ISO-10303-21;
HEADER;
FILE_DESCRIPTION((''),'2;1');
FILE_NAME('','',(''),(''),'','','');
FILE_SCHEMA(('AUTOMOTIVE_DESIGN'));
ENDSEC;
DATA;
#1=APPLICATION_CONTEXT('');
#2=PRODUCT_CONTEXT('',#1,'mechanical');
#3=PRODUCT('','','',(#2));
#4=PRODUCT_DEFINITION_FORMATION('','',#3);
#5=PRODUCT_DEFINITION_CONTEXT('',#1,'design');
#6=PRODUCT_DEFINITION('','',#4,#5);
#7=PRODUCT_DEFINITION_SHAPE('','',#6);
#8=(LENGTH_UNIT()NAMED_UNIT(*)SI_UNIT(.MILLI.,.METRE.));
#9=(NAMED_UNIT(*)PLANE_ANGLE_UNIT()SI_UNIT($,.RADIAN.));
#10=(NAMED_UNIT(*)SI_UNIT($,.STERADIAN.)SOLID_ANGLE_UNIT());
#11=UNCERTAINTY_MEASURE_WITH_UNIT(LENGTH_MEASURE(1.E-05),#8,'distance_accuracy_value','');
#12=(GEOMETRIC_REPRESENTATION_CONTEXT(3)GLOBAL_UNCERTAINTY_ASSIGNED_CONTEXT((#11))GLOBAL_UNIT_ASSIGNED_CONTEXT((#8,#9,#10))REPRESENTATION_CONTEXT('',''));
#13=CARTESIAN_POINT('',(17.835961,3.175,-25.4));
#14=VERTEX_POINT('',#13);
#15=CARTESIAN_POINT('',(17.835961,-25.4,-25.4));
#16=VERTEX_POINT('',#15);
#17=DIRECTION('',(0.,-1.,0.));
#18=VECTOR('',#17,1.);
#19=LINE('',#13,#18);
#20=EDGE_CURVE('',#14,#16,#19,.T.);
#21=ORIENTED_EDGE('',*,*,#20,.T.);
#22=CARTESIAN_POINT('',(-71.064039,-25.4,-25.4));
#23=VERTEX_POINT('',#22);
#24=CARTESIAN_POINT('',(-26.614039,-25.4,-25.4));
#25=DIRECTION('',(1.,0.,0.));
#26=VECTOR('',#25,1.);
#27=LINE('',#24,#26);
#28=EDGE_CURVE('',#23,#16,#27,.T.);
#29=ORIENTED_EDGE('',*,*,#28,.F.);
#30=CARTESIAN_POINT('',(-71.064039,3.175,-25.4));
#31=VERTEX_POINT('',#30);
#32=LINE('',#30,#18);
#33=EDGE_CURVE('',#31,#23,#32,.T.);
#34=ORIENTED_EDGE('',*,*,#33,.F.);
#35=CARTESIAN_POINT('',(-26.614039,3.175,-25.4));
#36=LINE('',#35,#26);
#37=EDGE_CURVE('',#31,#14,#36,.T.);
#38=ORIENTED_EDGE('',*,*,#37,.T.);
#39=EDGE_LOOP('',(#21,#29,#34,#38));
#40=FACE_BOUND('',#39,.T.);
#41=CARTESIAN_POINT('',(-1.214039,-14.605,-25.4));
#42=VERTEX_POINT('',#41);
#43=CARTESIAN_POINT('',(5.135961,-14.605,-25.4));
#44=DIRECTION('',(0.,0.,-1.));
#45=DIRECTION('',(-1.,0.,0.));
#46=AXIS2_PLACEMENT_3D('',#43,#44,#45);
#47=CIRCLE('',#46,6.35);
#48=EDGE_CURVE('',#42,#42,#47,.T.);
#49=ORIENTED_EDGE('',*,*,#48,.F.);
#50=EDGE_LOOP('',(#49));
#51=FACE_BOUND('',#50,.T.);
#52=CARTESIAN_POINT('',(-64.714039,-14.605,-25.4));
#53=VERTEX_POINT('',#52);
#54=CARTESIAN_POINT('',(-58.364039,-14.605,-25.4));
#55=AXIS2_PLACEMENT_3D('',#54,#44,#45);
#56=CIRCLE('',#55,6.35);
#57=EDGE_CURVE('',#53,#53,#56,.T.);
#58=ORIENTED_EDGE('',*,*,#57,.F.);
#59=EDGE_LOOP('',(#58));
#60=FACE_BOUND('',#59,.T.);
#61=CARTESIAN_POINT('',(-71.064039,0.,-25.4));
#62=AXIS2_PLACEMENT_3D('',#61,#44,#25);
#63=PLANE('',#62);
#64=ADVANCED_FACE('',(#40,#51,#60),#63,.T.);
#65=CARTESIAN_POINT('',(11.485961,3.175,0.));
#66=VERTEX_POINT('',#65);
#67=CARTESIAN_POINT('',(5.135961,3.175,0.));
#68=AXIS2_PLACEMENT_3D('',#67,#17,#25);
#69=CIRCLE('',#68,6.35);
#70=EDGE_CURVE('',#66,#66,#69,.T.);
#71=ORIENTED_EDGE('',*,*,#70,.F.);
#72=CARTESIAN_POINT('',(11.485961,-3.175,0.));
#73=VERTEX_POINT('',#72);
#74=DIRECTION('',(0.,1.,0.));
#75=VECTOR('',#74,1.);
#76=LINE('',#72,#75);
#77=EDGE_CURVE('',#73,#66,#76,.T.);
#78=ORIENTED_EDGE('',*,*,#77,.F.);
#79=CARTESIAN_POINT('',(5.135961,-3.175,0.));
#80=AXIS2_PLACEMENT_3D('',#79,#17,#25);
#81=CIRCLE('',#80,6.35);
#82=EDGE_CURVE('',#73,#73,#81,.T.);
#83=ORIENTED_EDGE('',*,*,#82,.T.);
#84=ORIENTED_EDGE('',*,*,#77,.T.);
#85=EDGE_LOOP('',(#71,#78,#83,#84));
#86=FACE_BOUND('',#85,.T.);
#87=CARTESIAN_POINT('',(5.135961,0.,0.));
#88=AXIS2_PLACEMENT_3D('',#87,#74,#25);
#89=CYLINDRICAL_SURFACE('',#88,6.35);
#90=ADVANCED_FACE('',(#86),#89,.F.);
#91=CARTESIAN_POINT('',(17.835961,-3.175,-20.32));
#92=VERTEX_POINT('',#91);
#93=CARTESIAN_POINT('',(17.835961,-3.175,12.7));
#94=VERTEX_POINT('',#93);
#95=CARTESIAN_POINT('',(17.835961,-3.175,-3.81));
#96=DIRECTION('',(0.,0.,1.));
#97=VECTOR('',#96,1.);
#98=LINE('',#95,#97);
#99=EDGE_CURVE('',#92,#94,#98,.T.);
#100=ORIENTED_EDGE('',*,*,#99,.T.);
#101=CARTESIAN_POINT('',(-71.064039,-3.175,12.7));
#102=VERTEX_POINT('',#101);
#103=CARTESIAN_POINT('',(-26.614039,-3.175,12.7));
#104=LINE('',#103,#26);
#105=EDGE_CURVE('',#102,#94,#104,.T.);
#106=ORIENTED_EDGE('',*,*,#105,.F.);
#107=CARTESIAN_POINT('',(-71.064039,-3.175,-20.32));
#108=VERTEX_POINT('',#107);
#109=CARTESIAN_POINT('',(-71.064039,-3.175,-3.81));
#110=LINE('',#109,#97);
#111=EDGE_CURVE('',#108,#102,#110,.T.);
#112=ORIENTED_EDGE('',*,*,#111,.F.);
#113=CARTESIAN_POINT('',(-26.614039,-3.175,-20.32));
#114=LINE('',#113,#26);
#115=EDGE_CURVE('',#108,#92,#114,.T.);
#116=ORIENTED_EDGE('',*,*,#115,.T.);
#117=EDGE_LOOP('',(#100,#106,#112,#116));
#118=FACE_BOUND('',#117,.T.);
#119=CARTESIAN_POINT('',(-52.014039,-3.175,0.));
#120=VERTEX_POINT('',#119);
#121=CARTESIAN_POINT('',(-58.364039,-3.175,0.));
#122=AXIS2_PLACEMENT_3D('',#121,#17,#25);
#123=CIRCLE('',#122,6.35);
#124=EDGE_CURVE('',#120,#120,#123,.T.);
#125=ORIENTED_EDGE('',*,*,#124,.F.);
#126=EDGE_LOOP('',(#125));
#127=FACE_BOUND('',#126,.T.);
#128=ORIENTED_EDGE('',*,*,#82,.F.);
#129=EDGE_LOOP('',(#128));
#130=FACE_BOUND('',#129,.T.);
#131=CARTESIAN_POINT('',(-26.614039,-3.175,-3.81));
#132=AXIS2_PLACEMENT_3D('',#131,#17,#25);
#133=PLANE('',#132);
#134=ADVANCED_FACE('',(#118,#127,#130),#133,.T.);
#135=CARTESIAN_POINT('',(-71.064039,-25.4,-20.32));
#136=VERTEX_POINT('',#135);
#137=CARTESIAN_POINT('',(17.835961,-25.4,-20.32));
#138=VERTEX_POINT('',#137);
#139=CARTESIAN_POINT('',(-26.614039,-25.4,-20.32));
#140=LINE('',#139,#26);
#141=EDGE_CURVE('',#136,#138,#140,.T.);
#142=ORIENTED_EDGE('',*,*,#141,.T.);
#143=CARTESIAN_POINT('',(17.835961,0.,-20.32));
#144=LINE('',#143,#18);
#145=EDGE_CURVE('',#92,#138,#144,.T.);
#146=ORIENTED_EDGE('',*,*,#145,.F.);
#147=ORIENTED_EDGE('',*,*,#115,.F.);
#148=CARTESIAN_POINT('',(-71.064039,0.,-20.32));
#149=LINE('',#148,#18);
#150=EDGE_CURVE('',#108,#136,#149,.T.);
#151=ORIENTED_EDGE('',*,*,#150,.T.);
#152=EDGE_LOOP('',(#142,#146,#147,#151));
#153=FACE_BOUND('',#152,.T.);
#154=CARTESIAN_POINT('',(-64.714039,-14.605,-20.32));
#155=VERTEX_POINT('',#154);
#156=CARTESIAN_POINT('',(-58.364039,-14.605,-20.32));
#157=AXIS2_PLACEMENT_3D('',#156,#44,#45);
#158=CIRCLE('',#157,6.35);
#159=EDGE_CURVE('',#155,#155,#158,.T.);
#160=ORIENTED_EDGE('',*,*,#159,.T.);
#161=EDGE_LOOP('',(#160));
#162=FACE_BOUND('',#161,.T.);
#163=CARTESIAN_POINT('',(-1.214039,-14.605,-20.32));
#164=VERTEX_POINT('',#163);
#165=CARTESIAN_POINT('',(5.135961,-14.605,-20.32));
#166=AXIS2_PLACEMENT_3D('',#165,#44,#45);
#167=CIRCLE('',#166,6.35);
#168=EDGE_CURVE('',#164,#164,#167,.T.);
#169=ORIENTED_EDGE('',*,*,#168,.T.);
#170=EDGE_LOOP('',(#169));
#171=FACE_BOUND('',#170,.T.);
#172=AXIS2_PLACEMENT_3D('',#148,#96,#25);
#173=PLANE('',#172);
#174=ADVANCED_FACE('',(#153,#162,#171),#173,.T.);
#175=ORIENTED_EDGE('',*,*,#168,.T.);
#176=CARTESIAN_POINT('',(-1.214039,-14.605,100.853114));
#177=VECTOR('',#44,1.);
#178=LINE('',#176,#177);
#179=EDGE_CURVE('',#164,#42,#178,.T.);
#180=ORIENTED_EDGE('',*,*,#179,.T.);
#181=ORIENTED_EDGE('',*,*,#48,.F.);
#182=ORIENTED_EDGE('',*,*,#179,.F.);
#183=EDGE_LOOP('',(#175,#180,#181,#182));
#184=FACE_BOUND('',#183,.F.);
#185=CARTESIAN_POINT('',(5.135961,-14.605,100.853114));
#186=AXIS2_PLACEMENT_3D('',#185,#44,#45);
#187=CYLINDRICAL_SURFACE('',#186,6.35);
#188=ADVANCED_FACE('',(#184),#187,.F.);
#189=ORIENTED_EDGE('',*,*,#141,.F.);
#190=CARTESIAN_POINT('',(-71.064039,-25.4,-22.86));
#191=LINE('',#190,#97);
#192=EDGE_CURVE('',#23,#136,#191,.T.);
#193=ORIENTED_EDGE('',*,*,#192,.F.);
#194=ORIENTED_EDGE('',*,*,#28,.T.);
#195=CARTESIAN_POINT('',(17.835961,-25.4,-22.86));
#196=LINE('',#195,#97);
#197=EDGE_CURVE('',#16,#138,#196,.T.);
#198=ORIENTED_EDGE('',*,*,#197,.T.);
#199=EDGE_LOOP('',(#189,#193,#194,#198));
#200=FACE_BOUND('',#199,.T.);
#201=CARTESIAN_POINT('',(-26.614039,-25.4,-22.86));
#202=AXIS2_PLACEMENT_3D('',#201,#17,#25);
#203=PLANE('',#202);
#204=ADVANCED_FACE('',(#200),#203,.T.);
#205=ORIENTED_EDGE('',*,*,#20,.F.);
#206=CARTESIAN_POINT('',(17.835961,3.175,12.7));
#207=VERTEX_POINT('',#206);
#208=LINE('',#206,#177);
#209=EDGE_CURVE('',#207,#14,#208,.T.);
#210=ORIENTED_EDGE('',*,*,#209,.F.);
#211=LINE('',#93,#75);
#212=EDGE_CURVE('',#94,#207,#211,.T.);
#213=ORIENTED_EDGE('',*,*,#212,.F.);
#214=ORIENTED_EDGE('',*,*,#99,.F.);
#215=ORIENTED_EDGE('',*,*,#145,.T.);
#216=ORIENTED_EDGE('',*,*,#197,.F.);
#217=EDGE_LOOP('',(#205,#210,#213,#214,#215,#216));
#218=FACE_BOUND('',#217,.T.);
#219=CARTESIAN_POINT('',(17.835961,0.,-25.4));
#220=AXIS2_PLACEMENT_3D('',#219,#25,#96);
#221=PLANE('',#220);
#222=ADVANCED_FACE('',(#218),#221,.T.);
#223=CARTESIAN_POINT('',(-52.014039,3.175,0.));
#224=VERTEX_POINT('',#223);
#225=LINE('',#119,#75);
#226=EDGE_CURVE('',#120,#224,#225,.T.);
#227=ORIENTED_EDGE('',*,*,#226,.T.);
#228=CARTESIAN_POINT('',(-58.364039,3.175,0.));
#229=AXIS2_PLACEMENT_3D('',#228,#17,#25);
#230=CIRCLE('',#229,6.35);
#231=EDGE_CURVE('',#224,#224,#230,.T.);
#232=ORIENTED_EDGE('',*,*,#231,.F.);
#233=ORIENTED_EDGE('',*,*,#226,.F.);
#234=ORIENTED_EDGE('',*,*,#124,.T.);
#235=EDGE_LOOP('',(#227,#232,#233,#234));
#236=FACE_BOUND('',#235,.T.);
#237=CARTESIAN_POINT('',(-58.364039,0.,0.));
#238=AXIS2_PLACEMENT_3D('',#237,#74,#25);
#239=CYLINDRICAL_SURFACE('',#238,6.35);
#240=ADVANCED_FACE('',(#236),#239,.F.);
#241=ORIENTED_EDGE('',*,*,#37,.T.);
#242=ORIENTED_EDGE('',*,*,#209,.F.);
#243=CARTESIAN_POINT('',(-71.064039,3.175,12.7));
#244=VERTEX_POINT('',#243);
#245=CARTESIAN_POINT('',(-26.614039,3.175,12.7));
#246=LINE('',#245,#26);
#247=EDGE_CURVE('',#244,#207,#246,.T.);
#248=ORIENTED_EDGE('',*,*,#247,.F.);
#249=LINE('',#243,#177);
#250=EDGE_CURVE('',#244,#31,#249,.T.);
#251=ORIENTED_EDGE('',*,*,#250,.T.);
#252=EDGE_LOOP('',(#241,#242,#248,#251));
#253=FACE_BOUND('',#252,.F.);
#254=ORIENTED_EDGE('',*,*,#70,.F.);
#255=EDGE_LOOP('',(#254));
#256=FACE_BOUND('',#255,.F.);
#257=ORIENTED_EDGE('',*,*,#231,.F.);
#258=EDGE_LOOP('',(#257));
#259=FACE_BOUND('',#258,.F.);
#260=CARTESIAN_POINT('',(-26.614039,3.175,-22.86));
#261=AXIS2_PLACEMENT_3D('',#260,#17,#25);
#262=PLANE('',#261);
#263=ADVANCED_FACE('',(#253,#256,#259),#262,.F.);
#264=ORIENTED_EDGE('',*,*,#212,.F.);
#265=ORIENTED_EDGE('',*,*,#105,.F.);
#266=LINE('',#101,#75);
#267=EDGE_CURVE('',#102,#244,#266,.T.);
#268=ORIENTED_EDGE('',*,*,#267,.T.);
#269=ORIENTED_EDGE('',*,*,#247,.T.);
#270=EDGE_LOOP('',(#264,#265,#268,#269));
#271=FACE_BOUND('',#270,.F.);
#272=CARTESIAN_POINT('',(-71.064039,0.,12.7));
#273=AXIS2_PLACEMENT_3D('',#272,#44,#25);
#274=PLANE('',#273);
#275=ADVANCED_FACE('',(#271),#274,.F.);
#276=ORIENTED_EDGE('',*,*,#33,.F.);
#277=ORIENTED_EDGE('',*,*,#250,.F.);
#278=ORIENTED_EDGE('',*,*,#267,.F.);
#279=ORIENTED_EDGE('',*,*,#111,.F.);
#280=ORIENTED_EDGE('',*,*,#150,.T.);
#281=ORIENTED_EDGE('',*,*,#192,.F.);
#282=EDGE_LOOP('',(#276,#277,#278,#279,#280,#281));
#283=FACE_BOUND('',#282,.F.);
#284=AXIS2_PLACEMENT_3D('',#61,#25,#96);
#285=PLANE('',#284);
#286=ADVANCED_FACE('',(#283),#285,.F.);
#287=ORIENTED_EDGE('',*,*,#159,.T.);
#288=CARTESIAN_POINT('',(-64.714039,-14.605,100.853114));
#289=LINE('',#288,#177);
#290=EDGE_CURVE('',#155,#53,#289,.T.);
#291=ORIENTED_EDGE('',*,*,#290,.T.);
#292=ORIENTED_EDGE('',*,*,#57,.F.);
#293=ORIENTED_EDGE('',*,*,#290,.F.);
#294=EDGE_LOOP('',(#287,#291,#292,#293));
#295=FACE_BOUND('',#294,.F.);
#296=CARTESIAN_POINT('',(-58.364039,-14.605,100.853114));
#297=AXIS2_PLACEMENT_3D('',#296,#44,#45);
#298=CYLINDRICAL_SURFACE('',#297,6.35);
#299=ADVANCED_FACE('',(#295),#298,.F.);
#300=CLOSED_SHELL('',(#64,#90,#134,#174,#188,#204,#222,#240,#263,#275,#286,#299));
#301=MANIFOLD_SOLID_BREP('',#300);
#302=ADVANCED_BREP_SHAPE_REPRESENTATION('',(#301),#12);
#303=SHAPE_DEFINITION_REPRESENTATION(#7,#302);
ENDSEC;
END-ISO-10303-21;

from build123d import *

# Parameters (mm, degrees)
F0_W     = 88.9
F0_H     = 33.02
F0_R     = 6.35
F1_DEPTH = 3.175
F0_H_2   = 5.08
F2_DEPTH = 25.4
F3_DEPTH = 3.175
F5_D     = 12.7


with BuildPart() as f1:
    # F0 (on Front) → F1 (new body, symmetric)
    with BuildSketch(Plane.XZ):
        with Locations((-26.614039, -3.81)):
            Rectangle(F0_W, F0_H)
        with Locations((-58.364039, 0)):
            Circle(F0_R, mode=Mode.SUBTRACT)
        with Locations((5.135961, 0)):
            Circle(F0_R, mode=Mode.SUBTRACT)
    extrude(amount=F1_DEPTH, both=True)

    # F0 (on Front) → F2 (join)
    with BuildSketch(Plane.XZ):
        with Locations((-26.614039, -22.86)):
            Rectangle(F0_W, F0_H_2)
    extrude(amount=F2_DEPTH)

    # F0 (on Front) → F3 (join)
    with BuildSketch(Plane.XZ):
        with Locations((-26.614039, -22.86)):
            Rectangle(F0_W, F0_H_2)
    extrude(amount=-F3_DEPTH)

    # F5 (through all)
    with Locations(Plane.XY):
        with Locations((-58.364039, -14.605), (5.135961, -14.605)):
            Hole(F5_D / 2)


solid = f1.part
